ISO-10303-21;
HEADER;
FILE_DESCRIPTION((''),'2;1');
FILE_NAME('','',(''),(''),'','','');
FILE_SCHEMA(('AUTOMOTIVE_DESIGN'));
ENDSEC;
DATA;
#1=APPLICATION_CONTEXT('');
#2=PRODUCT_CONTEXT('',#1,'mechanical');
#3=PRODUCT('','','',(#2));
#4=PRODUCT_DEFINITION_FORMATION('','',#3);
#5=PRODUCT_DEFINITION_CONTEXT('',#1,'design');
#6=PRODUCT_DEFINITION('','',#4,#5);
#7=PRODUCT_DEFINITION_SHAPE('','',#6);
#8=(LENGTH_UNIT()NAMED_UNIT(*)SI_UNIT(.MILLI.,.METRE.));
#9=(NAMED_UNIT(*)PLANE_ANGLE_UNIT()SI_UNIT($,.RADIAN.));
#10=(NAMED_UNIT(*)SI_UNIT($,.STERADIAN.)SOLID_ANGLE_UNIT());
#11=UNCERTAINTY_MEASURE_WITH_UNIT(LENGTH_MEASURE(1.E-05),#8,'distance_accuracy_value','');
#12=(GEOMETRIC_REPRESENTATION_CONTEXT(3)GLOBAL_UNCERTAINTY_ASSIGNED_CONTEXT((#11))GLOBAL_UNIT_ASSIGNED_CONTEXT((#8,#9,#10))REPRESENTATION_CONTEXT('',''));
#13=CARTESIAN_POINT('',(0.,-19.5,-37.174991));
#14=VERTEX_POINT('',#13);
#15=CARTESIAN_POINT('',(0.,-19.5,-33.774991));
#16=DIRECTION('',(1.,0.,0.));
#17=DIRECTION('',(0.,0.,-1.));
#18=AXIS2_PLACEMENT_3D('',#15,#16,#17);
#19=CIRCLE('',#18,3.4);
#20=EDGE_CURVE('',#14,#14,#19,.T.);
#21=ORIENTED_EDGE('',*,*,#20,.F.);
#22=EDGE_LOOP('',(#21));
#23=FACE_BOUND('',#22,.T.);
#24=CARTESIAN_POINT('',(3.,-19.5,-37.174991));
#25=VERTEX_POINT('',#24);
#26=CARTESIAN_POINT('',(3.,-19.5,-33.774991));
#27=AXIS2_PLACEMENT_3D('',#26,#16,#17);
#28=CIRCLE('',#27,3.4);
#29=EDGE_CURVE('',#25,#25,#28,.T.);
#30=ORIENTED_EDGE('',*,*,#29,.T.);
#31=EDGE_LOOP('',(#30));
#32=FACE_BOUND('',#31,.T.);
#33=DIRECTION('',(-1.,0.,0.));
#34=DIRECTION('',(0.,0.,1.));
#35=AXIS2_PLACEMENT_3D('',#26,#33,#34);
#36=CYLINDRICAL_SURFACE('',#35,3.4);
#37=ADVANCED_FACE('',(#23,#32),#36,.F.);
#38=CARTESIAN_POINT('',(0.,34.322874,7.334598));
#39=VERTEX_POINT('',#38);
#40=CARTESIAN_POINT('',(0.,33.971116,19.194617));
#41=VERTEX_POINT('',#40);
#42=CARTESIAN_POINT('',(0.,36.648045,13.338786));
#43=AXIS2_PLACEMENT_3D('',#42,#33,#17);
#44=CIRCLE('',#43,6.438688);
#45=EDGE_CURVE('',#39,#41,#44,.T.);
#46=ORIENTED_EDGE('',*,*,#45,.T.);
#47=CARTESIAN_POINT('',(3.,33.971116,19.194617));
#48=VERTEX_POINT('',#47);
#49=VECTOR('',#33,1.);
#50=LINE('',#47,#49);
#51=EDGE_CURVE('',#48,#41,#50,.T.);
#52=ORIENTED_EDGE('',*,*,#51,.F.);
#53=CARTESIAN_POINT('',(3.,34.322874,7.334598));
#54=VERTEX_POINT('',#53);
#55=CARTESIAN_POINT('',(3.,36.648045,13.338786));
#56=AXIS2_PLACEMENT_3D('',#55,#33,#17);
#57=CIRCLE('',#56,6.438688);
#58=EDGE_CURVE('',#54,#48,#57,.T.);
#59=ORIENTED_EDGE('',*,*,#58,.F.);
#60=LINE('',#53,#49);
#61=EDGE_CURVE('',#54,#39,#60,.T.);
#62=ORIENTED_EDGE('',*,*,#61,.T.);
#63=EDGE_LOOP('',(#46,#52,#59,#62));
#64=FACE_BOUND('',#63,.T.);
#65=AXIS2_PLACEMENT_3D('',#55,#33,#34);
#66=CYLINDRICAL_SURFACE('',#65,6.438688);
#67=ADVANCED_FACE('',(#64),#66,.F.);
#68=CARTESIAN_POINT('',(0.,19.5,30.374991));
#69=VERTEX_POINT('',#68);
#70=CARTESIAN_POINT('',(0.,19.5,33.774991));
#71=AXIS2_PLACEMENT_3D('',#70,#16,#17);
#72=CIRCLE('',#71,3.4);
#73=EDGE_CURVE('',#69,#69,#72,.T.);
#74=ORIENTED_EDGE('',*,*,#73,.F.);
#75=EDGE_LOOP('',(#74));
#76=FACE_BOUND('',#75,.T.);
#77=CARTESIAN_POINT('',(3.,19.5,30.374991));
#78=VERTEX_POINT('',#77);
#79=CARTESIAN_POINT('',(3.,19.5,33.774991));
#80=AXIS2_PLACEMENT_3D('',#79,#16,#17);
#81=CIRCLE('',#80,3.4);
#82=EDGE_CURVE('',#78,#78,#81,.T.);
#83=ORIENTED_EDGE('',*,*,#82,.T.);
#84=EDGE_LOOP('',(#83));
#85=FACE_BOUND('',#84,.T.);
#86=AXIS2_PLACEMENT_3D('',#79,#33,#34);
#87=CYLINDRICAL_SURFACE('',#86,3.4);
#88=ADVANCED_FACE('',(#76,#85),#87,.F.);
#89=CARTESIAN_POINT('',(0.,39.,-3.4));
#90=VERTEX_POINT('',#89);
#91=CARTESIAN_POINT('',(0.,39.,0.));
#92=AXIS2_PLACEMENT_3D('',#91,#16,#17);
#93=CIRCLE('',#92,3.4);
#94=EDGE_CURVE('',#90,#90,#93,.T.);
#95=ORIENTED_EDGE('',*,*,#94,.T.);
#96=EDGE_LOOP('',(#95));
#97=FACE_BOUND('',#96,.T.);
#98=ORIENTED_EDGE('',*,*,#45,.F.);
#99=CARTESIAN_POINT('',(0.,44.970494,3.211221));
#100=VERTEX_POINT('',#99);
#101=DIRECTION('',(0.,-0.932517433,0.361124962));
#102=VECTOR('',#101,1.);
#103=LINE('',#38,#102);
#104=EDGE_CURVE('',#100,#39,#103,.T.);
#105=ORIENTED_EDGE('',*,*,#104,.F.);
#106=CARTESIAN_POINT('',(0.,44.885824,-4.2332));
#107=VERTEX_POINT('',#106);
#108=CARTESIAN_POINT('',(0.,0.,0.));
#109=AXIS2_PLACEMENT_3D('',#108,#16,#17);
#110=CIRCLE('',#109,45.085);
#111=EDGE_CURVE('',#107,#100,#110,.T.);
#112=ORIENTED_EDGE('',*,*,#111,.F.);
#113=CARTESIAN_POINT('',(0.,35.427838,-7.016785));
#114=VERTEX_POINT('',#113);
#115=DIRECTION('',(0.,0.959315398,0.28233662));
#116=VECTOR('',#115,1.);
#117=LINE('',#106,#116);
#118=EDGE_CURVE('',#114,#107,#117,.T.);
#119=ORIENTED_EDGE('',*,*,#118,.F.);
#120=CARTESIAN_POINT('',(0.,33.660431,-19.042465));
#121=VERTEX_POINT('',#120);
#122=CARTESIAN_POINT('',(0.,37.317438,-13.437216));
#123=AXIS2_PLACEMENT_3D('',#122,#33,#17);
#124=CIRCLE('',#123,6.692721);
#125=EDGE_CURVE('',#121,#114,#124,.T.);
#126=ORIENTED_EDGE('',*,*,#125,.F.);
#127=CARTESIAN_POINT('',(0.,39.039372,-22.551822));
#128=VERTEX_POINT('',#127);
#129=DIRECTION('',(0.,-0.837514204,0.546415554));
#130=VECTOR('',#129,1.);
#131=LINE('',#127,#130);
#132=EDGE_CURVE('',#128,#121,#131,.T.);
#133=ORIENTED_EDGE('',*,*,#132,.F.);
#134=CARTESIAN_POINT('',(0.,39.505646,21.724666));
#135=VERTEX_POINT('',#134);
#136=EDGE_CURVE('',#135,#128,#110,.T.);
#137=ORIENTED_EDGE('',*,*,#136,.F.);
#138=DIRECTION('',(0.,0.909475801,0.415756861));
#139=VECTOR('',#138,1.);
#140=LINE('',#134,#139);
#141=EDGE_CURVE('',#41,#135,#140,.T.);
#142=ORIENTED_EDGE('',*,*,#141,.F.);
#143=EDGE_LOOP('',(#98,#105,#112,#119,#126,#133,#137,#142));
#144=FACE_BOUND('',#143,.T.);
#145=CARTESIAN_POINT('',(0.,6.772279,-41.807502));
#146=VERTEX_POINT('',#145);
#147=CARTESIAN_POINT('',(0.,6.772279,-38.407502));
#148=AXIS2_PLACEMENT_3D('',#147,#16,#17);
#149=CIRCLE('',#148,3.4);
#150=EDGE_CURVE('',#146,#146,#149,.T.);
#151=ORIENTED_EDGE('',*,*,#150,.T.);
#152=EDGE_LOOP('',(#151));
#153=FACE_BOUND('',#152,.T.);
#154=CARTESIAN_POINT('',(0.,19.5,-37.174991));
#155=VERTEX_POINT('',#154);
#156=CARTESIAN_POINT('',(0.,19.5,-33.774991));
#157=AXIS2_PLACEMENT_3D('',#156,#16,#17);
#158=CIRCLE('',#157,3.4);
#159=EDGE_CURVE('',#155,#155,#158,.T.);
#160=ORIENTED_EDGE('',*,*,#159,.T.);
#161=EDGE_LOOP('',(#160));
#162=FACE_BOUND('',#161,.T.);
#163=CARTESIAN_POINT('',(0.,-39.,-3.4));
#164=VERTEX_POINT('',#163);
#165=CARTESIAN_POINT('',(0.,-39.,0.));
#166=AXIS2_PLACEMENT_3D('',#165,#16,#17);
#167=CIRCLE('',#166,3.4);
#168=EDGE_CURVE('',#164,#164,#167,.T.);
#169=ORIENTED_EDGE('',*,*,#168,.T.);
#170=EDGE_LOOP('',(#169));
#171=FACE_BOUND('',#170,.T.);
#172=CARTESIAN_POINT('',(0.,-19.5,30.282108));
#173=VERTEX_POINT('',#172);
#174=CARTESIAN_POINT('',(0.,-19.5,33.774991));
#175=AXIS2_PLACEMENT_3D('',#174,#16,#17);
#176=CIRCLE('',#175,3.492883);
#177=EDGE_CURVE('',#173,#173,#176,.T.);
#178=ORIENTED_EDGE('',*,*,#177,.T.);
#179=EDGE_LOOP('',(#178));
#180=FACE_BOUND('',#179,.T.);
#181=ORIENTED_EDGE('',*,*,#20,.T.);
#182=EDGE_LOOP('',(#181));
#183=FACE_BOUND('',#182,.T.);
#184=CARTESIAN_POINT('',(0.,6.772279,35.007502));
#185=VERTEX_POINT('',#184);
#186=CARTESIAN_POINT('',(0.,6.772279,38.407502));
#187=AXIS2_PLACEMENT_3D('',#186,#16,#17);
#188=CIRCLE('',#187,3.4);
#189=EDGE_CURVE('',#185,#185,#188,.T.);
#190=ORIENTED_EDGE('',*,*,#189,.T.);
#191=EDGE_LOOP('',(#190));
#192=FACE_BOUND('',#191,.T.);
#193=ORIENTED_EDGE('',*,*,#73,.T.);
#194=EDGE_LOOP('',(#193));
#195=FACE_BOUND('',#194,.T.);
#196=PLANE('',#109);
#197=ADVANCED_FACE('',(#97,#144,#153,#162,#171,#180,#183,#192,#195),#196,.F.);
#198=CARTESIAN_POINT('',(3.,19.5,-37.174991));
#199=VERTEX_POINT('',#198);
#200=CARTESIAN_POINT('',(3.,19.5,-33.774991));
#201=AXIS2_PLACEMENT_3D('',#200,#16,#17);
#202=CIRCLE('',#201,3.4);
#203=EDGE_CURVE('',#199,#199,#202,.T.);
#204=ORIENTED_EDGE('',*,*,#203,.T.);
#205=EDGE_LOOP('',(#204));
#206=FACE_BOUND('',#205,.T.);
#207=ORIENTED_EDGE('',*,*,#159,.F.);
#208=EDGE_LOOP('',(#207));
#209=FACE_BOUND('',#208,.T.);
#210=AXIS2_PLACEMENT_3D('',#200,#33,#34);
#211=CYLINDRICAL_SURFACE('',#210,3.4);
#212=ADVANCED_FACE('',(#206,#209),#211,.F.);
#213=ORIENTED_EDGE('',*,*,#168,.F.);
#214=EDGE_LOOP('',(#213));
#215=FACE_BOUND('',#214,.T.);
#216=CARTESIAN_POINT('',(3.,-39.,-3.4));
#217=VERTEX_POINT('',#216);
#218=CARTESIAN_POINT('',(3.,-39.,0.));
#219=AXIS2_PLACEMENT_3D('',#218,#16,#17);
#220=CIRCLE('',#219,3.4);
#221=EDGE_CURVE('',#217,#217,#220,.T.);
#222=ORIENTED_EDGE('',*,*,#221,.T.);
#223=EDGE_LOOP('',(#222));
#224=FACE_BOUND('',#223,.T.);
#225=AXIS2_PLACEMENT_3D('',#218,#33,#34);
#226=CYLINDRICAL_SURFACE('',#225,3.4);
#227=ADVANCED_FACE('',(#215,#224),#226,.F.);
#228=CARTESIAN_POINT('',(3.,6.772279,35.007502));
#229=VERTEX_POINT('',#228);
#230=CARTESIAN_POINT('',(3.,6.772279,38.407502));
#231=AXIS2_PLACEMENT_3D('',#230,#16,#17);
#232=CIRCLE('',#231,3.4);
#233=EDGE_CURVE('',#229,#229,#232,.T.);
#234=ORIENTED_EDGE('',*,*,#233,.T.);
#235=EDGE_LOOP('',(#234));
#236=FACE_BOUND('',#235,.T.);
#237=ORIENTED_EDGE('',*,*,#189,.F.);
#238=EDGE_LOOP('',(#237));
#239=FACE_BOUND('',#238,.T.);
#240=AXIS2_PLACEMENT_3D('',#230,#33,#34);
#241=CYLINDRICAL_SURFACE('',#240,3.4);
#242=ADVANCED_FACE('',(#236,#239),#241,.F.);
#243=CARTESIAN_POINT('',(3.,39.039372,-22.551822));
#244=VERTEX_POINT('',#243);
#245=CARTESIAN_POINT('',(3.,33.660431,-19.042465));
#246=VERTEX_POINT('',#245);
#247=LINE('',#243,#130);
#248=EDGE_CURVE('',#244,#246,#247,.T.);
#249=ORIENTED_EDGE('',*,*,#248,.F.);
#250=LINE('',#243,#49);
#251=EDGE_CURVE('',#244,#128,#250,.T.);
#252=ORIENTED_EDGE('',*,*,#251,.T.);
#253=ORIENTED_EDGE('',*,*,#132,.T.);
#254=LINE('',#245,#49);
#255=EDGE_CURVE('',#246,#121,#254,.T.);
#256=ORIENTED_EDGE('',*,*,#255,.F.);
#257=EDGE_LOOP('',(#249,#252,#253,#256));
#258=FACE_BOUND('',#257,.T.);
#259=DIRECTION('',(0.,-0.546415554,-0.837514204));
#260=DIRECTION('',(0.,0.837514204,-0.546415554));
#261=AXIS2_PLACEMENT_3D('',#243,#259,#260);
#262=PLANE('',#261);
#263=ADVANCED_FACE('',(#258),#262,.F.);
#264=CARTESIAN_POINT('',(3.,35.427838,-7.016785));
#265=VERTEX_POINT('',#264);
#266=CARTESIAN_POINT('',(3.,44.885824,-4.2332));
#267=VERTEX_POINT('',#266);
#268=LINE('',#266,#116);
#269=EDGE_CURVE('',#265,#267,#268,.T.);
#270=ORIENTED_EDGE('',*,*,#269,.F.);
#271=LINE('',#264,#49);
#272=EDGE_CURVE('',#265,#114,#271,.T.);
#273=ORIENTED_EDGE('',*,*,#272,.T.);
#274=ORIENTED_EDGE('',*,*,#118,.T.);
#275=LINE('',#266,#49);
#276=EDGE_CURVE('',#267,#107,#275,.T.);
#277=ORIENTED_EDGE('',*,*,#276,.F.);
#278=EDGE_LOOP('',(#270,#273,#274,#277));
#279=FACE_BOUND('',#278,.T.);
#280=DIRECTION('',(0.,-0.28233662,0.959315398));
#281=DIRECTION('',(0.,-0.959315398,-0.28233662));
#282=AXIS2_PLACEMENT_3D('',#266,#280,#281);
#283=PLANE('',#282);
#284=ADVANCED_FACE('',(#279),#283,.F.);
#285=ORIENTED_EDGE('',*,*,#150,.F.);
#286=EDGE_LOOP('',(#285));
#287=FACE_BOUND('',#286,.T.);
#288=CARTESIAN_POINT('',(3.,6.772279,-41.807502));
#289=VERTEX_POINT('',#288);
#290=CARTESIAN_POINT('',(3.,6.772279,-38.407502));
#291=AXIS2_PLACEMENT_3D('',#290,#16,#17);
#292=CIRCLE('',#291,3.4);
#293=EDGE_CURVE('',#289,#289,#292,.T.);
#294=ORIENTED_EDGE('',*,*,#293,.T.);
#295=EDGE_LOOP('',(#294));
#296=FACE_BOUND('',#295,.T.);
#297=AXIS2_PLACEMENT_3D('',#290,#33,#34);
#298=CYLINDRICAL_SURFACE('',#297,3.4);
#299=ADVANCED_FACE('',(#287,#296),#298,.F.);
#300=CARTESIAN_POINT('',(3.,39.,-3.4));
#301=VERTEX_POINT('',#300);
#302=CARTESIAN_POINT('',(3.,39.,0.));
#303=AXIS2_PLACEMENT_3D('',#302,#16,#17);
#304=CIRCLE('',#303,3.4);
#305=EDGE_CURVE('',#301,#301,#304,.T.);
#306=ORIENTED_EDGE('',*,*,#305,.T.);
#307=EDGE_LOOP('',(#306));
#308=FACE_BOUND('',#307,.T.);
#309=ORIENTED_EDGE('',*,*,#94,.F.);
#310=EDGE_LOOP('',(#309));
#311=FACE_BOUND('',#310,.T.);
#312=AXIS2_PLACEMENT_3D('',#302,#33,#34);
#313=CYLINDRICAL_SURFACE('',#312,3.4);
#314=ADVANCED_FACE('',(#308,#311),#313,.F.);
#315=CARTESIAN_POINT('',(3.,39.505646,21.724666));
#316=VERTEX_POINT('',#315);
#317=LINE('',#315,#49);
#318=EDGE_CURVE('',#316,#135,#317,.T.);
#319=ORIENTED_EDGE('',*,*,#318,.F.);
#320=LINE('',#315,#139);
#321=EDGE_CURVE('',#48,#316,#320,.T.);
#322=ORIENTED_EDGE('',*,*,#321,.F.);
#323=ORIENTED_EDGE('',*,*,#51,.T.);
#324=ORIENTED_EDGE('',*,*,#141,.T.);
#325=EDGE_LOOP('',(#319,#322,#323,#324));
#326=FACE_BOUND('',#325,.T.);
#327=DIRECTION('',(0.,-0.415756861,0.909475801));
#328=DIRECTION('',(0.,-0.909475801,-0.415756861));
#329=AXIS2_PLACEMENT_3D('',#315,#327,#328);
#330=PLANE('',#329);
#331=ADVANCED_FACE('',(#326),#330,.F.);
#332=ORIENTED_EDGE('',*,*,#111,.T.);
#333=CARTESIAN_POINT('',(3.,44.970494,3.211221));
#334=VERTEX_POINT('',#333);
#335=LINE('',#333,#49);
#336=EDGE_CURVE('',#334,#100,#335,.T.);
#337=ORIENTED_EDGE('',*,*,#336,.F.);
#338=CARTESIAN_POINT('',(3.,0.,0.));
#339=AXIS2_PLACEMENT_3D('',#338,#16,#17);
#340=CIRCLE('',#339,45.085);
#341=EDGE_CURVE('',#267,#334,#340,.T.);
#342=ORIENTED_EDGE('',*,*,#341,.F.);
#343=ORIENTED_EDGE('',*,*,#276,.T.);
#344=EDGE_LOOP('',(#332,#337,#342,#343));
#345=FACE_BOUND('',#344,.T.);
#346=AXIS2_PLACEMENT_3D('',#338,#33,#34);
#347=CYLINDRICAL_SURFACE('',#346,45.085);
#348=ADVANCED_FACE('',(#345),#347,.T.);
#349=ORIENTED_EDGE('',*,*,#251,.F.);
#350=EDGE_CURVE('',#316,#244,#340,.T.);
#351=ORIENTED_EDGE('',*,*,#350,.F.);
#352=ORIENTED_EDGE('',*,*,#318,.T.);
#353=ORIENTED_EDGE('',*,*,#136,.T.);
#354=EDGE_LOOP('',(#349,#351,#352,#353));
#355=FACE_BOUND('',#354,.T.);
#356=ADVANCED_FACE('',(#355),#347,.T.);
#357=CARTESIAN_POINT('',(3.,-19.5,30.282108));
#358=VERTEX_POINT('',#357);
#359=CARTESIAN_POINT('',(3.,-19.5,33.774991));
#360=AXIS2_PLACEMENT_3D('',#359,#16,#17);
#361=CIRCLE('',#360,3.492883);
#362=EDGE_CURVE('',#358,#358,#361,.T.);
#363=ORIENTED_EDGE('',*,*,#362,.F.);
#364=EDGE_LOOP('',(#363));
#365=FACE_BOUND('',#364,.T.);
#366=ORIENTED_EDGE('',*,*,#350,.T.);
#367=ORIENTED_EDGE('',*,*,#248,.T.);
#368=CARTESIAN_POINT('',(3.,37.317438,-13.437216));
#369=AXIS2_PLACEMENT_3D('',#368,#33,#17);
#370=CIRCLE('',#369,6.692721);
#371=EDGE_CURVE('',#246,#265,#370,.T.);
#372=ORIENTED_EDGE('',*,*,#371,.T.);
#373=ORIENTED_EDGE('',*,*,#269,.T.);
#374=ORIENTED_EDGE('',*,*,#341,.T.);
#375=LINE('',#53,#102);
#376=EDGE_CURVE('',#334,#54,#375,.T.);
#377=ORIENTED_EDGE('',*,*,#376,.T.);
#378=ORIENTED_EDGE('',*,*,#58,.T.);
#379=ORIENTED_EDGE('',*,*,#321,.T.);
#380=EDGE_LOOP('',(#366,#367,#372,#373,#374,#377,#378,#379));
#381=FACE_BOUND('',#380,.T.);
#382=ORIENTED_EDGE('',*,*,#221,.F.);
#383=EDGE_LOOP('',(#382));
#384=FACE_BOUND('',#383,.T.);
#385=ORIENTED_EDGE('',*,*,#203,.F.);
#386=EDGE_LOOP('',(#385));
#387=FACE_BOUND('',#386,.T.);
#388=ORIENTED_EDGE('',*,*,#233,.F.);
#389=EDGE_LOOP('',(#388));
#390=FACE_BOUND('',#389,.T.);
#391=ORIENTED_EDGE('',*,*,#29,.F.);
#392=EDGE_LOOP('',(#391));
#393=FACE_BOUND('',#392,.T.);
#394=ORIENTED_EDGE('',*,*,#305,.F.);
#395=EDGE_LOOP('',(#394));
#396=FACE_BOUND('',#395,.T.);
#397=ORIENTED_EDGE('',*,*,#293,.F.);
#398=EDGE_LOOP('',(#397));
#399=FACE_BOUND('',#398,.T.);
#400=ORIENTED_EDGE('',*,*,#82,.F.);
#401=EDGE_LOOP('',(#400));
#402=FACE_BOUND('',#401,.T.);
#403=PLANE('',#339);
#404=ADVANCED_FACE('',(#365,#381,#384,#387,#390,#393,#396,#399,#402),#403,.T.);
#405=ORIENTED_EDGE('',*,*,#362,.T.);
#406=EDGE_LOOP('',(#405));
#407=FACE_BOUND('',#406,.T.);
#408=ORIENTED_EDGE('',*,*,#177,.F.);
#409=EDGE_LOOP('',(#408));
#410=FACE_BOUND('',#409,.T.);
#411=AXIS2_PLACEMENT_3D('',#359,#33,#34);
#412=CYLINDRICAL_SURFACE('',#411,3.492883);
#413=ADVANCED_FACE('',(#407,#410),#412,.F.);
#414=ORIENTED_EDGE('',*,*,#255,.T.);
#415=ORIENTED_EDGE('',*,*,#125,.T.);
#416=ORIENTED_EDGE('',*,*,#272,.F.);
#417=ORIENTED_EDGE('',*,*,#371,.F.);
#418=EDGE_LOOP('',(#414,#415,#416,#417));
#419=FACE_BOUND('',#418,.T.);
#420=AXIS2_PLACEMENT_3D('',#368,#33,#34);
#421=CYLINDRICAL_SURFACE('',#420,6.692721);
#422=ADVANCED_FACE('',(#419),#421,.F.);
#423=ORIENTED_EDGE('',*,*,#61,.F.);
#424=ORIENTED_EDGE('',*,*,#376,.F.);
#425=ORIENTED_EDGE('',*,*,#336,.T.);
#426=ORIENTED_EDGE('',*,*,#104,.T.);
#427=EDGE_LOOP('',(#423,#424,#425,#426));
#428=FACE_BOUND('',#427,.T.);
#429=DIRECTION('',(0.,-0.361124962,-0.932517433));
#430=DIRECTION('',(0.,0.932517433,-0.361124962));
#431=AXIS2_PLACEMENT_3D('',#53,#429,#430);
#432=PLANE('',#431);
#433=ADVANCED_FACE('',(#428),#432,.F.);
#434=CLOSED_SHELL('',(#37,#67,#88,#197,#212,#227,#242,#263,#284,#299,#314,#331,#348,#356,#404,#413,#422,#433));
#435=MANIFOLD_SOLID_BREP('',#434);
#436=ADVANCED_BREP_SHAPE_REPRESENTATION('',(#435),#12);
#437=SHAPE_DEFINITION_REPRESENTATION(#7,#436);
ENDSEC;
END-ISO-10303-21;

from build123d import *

# Parameters (mm, degrees)
SKETCH1_R           = 3.4
SKETCH1_R_2         = 3.4928829
BOSS_EXTRUDE1_DEPTH = 3


with BuildPart() as part:
    # Sketch1 → Boss-Extrude1 (new body)
    with BuildSketch(Plane(origin=(0, 0, 0), x_dir=(0, 0, -1), z_dir=(1, 0, 0))):
        with BuildLine():
            Line((-21.724666334, 39.505646402), (-19.194616795, 33.971116375))
            ThreePointArc((-19.194616795, 33.971116375), (-13.147904388, 30.212187411), (-7.334597861, 34.322874106))
            Line((-7.334597861, 34.322874106), (-3.211220628, 44.970493516))
            ThreePointArc((-3.211220628, 44.970493516), (0.512740511, 45.08208427), (4.233200317, 44.885824489))
            Line((4.233200317, 44.885824489), (7.016785416, 35.427837599))
            ThreePointArc((7.016785416, 35.427837599), (12.464044741, 30.695847951), (19.042464585, 33.660430978))
            Line((19.042464585, 33.660430978), (22.551822206, 39.039371667))
            ThreePointArc((22.551822206, 39.039371667), (-0.474762826, -45.082500211), (-21.724666334, 39.505646402))
        make_face()
        with Locations((0, 39)):
            Circle(SKETCH1_R, mode=Mode.SUBTRACT)
        with Locations((33.774990748, 19.5)):
            Circle(SKETCH1_R, mode=Mode.SUBTRACT)
        with Locations((38.407502368, 6.772278929)):
            Circle(SKETCH1_R, mode=Mode.SUBTRACT)
        with Locations((33.774990748, -19.5)):
            Circle(SKETCH1_R, mode=Mode.SUBTRACT)
        with Locations((0, -39)):
            Circle(SKETCH1_R, mode=Mode.SUBTRACT)
        with Locations((-33.774990748, -19.5)):
            Circle(SKETCH1_R_2, mode=Mode.SUBTRACT)
        with Locations((-38.407502367, 6.772278929)):
            Circle(SKETCH1_R, mode=Mode.SUBTRACT)
        with Locations((-33.774990748, 19.5)):
            Circle(SKETCH1_R, mode=Mode.SUBTRACT)
    extrude(amount=BOSS_EXTRUDE1_DEPTH)


solid = part.part
